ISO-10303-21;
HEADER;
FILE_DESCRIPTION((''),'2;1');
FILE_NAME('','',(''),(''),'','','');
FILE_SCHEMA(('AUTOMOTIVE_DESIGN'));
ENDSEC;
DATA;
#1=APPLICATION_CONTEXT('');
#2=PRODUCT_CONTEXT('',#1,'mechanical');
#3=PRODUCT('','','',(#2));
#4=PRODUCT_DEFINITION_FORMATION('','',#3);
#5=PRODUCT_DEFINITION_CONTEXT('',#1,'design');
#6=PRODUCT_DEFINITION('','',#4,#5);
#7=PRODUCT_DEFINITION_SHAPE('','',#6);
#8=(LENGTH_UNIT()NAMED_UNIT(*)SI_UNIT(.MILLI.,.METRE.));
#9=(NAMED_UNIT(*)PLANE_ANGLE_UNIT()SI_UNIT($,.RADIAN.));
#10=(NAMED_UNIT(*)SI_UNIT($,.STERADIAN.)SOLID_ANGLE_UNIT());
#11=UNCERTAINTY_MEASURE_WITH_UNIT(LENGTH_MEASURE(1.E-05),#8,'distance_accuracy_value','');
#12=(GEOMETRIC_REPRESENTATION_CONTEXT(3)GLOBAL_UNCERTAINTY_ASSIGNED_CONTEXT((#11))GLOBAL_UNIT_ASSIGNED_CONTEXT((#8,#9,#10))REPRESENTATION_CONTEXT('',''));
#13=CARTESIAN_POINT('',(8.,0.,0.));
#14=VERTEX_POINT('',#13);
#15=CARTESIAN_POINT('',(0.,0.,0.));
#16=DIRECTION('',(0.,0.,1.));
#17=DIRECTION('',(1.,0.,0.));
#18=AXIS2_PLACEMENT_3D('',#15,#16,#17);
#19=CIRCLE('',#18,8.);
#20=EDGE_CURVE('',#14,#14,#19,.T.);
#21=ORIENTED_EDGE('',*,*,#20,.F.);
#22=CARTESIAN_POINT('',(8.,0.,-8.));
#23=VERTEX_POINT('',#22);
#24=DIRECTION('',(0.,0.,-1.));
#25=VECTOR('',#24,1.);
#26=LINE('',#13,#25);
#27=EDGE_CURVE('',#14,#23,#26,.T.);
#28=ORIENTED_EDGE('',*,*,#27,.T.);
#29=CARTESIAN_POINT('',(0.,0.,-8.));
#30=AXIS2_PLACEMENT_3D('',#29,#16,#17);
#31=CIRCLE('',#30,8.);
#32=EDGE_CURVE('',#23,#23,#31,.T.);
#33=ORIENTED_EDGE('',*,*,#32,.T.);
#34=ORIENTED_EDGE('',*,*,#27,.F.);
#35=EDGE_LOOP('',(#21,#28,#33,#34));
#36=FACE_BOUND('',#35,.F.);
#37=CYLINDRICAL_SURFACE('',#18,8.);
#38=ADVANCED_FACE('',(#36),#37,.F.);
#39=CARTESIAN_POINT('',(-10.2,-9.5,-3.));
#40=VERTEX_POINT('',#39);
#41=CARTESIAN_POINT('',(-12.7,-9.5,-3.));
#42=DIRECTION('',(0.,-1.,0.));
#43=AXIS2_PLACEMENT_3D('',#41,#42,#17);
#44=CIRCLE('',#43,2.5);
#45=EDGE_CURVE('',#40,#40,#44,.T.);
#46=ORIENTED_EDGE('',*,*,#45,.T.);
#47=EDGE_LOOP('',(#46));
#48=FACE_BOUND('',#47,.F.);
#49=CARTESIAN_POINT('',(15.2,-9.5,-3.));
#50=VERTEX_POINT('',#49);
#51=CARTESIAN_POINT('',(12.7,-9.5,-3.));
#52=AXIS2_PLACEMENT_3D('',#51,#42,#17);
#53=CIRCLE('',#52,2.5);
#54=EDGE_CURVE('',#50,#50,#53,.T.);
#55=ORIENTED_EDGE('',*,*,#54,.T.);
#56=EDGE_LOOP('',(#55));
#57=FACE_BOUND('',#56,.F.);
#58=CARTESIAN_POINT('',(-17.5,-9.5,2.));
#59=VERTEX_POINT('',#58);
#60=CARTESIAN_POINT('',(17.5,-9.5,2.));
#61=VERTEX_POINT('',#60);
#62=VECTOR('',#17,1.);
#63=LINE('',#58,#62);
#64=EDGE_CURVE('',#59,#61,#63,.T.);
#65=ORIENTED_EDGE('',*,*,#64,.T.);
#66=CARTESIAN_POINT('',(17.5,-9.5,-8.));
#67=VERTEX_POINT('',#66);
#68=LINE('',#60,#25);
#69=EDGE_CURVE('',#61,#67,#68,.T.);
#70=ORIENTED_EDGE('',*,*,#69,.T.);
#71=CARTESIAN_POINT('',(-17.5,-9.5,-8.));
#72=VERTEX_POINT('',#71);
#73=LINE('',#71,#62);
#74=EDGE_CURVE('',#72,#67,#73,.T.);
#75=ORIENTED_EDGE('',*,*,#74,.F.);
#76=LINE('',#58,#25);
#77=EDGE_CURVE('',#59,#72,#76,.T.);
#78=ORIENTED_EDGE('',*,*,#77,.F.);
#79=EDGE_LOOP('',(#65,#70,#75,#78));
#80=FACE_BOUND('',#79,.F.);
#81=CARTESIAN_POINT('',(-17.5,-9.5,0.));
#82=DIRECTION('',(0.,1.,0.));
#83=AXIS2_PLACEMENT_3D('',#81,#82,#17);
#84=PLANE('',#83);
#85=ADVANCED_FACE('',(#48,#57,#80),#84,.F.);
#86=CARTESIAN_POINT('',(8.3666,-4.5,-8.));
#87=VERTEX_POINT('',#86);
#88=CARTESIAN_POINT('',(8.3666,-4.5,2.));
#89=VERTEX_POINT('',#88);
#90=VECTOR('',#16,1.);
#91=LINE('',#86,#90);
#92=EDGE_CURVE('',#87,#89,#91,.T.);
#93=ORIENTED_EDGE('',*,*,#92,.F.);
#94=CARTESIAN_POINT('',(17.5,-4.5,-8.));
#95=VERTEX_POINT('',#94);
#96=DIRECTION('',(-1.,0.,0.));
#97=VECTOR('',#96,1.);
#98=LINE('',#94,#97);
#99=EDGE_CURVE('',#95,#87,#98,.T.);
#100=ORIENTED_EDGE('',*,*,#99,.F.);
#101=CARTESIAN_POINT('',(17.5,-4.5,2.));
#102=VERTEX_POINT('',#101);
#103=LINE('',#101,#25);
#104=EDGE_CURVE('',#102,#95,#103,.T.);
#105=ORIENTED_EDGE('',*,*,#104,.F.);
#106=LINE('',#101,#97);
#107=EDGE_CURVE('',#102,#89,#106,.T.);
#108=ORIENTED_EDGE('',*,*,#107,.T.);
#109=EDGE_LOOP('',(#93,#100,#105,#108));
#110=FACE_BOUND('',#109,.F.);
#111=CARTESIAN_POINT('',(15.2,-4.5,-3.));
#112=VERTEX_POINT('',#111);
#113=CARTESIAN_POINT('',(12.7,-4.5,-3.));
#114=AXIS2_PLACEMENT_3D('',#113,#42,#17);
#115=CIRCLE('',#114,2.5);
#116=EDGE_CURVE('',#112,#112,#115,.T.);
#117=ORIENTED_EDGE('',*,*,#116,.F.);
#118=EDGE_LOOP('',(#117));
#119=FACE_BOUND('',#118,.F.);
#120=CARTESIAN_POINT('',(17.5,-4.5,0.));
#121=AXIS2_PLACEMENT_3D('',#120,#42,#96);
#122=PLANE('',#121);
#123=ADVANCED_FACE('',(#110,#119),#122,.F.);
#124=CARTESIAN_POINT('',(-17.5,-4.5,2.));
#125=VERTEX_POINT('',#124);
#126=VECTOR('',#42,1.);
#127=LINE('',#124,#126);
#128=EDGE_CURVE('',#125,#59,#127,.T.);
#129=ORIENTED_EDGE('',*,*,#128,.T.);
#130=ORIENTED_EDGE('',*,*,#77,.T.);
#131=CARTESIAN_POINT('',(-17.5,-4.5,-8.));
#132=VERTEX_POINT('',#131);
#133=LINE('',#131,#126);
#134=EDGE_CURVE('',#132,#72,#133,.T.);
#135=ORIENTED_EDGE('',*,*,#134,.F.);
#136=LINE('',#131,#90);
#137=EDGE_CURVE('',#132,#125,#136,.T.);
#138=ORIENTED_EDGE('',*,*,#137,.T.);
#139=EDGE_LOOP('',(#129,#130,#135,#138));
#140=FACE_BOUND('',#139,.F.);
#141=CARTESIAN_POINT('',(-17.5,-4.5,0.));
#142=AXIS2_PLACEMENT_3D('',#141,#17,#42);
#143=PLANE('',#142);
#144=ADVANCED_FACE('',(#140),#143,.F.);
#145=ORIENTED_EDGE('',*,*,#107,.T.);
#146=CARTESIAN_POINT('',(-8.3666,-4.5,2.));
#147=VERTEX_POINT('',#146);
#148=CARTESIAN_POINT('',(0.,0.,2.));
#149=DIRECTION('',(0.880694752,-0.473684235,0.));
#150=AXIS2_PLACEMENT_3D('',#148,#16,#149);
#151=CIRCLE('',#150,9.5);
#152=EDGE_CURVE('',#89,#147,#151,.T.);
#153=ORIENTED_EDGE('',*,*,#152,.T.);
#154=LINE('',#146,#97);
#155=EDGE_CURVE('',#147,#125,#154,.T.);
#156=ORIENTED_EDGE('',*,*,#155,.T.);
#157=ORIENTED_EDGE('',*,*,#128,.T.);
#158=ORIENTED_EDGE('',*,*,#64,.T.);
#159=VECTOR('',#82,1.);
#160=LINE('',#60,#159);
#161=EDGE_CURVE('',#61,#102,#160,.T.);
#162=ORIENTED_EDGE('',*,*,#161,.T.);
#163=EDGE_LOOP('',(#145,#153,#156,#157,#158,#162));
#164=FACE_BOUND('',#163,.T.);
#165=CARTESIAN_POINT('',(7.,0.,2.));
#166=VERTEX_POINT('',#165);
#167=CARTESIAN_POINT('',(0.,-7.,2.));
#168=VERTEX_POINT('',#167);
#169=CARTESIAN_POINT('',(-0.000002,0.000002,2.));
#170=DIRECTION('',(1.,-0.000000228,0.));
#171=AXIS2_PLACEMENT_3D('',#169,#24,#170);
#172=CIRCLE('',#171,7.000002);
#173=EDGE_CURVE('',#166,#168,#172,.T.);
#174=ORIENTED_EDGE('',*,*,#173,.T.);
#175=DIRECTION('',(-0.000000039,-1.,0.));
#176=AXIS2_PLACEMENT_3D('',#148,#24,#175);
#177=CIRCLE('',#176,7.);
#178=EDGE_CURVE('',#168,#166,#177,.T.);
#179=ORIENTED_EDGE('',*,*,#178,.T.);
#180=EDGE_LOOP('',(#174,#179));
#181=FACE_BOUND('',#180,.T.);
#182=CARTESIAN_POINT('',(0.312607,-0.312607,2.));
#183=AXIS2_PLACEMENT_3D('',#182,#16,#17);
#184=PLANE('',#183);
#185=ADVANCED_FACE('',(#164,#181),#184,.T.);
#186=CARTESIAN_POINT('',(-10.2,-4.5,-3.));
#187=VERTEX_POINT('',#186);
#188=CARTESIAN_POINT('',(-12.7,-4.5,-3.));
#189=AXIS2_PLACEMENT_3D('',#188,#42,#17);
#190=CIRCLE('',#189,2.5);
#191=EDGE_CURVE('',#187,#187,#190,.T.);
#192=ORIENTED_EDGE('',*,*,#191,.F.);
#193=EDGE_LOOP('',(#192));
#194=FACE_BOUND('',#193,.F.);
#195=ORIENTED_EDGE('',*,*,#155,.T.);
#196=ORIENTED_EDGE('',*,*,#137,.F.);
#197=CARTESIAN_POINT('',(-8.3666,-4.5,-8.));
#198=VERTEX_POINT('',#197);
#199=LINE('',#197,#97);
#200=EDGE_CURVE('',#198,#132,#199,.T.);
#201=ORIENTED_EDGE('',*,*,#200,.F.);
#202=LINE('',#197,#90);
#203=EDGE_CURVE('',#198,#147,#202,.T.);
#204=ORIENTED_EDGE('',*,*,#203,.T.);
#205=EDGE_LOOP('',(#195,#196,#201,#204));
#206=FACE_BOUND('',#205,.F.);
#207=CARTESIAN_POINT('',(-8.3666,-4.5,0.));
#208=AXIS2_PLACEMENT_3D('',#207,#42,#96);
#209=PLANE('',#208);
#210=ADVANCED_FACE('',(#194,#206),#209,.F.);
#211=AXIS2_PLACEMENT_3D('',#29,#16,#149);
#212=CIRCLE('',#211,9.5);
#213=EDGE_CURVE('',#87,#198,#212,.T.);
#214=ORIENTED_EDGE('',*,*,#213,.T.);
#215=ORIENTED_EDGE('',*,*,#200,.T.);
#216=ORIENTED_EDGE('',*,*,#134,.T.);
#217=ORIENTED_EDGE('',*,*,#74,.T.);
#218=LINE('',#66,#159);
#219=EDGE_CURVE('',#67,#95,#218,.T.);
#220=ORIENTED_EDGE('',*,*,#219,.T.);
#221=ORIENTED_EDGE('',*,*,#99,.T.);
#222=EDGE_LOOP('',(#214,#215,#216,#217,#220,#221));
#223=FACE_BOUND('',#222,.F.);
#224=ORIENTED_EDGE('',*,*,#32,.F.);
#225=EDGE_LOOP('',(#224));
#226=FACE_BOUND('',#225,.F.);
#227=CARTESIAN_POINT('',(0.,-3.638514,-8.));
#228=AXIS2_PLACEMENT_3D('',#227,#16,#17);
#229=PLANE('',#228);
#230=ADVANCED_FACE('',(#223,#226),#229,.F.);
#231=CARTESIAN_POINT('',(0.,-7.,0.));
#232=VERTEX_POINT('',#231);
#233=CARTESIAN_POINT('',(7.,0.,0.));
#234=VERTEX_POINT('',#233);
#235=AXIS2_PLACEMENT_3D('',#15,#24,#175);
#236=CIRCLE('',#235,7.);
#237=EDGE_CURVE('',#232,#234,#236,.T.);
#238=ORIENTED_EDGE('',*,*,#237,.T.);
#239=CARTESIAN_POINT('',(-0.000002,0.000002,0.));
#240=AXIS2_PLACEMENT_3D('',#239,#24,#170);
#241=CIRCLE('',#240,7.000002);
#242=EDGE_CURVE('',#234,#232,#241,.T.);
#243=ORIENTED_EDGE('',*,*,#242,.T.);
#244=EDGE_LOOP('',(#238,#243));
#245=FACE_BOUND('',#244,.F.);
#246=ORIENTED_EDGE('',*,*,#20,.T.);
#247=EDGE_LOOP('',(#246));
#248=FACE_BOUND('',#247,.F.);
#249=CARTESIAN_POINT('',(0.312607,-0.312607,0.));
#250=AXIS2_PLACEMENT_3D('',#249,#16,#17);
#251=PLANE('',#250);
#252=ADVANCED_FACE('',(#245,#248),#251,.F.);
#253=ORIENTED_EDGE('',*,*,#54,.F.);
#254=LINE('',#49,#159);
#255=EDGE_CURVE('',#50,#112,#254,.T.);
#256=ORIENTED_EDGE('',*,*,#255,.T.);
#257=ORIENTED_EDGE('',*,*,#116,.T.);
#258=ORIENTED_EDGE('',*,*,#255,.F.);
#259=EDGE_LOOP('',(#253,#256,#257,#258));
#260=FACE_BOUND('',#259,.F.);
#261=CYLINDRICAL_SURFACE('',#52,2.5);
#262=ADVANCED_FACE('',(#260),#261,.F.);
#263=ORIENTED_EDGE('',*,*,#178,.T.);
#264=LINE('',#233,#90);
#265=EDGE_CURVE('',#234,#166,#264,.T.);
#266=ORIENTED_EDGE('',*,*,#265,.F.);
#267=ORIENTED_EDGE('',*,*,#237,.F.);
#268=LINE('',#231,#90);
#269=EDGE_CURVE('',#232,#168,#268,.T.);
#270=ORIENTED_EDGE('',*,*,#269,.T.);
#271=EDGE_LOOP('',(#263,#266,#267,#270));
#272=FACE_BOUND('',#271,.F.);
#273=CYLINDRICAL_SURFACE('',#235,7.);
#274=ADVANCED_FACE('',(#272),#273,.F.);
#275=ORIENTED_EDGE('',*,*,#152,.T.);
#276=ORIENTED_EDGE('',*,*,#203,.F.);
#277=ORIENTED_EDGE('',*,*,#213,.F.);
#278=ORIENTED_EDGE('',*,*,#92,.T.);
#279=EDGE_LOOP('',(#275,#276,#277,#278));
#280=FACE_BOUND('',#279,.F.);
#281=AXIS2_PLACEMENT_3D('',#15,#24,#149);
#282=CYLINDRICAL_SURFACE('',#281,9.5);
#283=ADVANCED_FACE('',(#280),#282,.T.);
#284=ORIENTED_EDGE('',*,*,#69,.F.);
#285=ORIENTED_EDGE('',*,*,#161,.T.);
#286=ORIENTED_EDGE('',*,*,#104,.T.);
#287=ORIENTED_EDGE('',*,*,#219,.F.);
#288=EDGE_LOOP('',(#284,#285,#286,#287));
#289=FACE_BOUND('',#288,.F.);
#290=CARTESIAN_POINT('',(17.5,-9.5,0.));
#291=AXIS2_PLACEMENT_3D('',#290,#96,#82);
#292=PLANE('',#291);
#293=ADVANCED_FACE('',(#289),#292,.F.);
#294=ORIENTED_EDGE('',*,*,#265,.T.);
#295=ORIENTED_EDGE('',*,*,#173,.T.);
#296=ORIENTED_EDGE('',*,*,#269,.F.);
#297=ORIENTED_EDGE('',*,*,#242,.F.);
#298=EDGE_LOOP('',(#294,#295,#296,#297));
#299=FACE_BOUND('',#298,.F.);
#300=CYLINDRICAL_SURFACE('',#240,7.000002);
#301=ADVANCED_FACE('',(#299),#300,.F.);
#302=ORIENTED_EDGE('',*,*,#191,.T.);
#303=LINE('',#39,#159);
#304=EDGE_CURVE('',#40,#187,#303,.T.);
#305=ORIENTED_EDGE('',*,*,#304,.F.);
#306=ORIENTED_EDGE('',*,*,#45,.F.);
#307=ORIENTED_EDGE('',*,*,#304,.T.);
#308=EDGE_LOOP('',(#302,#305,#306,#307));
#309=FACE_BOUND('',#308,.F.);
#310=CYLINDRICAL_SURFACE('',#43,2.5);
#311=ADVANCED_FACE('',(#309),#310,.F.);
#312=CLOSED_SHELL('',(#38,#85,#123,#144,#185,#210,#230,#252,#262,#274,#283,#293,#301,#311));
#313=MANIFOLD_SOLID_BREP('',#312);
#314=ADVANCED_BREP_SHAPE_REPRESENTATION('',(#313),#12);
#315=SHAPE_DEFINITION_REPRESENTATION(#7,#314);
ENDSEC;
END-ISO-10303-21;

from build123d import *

# Parameters (mm, degrees)
F0_R     = 8
F1_DEPTH = 8
F3_DEPTH = 2
F4_R     = 2.5
F5_DEPTH = 25.4


with BuildPart() as f1:
    # F0 (on Top) → F1 (new body)
    with BuildSketch(Plane.XY):
        with BuildLine():
            Line((17.5, -4.5), (8.3666, -4.5))
            ThreePointArc((8.3666, -4.5), (0, 9.5), (-8.3666, -4.5))
            Line((-8.3666, -4.5), (-17.5, -4.5))
            Line((-17.5, -4.5), (-17.5, -9.5))
            Line((-17.5, -9.5), (0, -9.5))
            Line((0, -9.5), (17.5, -9.5))
            Line((17.5, -9.5), (17.5, -4.5))
        make_face()
        Circle(F0_R, mode=Mode.SUBTRACT)
    extrude(amount=-F1_DEPTH)

    # F2 (on Top) + F0 (on Top) → F3 (join)
    with BuildSketch(Plane.XY):
        with BuildLine():
            ThreePointArc((0, -7), (4.949747, -4.949747), (7, 0))
            ThreePointArc((7, 0), (-4.949747, 4.949747), (0, -7))
        make_face()
        with BuildLine():
            Line((17.5, -4.5), (8.3666, -4.5))
            ThreePointArc((8.3666, -4.5), (0, 9.5), (-8.3666, -4.5))
            Line((-8.3666, -4.5), (-17.5, -4.5))
            Line((-17.5, -4.5), (-17.5, -9.5))
            Line((-17.5, -9.5), (0, -9.5))
            Line((0, -9.5), (17.5, -9.5))
            Line((17.5, -9.5), (17.5, -4.5))
        make_face()
        with BuildLine():
            ThreePointArc((0, -7), (-4.949747, 4.949747), (7, 0))
            ThreePointArc((7, 0), (4.949747, -4.949747), (0, -7))
        make_face(mode=Mode.SUBTRACT)
    with BuildSketch(Plane.XY):
        with BuildLine():
            Line((17.5, -4.5), (8.3666, -4.5))
            ThreePointArc((8.3666, -4.5), (0, 9.5), (-8.3666, -4.5))
            Line((-8.3666, -4.5), (-17.5, -4.5))
            Line((-17.5, -4.5), (-17.5, -9.5))
            Line((-17.5, -9.5), (0, -9.5))
            Line((0, -9.5), (17.5, -9.5))
            Line((17.5, -9.5), (17.5, -4.5))
        make_face()
        Circle(F0_R, mode=Mode.SUBTRACT)
    extrude(amount=F3_DEPTH)

    # F4 (on face) → F5 (cut)
    with BuildSketch(Plane.XZ.offset(9.5)):
        with Locations((-12.7, -3)):
            Circle(F4_R)
        with Locations((12.7, -3)):
            Circle(F4_R)
    extrude(amount=-F5_DEPTH, mode=Mode.SUBTRACT)


solid = f1.part
